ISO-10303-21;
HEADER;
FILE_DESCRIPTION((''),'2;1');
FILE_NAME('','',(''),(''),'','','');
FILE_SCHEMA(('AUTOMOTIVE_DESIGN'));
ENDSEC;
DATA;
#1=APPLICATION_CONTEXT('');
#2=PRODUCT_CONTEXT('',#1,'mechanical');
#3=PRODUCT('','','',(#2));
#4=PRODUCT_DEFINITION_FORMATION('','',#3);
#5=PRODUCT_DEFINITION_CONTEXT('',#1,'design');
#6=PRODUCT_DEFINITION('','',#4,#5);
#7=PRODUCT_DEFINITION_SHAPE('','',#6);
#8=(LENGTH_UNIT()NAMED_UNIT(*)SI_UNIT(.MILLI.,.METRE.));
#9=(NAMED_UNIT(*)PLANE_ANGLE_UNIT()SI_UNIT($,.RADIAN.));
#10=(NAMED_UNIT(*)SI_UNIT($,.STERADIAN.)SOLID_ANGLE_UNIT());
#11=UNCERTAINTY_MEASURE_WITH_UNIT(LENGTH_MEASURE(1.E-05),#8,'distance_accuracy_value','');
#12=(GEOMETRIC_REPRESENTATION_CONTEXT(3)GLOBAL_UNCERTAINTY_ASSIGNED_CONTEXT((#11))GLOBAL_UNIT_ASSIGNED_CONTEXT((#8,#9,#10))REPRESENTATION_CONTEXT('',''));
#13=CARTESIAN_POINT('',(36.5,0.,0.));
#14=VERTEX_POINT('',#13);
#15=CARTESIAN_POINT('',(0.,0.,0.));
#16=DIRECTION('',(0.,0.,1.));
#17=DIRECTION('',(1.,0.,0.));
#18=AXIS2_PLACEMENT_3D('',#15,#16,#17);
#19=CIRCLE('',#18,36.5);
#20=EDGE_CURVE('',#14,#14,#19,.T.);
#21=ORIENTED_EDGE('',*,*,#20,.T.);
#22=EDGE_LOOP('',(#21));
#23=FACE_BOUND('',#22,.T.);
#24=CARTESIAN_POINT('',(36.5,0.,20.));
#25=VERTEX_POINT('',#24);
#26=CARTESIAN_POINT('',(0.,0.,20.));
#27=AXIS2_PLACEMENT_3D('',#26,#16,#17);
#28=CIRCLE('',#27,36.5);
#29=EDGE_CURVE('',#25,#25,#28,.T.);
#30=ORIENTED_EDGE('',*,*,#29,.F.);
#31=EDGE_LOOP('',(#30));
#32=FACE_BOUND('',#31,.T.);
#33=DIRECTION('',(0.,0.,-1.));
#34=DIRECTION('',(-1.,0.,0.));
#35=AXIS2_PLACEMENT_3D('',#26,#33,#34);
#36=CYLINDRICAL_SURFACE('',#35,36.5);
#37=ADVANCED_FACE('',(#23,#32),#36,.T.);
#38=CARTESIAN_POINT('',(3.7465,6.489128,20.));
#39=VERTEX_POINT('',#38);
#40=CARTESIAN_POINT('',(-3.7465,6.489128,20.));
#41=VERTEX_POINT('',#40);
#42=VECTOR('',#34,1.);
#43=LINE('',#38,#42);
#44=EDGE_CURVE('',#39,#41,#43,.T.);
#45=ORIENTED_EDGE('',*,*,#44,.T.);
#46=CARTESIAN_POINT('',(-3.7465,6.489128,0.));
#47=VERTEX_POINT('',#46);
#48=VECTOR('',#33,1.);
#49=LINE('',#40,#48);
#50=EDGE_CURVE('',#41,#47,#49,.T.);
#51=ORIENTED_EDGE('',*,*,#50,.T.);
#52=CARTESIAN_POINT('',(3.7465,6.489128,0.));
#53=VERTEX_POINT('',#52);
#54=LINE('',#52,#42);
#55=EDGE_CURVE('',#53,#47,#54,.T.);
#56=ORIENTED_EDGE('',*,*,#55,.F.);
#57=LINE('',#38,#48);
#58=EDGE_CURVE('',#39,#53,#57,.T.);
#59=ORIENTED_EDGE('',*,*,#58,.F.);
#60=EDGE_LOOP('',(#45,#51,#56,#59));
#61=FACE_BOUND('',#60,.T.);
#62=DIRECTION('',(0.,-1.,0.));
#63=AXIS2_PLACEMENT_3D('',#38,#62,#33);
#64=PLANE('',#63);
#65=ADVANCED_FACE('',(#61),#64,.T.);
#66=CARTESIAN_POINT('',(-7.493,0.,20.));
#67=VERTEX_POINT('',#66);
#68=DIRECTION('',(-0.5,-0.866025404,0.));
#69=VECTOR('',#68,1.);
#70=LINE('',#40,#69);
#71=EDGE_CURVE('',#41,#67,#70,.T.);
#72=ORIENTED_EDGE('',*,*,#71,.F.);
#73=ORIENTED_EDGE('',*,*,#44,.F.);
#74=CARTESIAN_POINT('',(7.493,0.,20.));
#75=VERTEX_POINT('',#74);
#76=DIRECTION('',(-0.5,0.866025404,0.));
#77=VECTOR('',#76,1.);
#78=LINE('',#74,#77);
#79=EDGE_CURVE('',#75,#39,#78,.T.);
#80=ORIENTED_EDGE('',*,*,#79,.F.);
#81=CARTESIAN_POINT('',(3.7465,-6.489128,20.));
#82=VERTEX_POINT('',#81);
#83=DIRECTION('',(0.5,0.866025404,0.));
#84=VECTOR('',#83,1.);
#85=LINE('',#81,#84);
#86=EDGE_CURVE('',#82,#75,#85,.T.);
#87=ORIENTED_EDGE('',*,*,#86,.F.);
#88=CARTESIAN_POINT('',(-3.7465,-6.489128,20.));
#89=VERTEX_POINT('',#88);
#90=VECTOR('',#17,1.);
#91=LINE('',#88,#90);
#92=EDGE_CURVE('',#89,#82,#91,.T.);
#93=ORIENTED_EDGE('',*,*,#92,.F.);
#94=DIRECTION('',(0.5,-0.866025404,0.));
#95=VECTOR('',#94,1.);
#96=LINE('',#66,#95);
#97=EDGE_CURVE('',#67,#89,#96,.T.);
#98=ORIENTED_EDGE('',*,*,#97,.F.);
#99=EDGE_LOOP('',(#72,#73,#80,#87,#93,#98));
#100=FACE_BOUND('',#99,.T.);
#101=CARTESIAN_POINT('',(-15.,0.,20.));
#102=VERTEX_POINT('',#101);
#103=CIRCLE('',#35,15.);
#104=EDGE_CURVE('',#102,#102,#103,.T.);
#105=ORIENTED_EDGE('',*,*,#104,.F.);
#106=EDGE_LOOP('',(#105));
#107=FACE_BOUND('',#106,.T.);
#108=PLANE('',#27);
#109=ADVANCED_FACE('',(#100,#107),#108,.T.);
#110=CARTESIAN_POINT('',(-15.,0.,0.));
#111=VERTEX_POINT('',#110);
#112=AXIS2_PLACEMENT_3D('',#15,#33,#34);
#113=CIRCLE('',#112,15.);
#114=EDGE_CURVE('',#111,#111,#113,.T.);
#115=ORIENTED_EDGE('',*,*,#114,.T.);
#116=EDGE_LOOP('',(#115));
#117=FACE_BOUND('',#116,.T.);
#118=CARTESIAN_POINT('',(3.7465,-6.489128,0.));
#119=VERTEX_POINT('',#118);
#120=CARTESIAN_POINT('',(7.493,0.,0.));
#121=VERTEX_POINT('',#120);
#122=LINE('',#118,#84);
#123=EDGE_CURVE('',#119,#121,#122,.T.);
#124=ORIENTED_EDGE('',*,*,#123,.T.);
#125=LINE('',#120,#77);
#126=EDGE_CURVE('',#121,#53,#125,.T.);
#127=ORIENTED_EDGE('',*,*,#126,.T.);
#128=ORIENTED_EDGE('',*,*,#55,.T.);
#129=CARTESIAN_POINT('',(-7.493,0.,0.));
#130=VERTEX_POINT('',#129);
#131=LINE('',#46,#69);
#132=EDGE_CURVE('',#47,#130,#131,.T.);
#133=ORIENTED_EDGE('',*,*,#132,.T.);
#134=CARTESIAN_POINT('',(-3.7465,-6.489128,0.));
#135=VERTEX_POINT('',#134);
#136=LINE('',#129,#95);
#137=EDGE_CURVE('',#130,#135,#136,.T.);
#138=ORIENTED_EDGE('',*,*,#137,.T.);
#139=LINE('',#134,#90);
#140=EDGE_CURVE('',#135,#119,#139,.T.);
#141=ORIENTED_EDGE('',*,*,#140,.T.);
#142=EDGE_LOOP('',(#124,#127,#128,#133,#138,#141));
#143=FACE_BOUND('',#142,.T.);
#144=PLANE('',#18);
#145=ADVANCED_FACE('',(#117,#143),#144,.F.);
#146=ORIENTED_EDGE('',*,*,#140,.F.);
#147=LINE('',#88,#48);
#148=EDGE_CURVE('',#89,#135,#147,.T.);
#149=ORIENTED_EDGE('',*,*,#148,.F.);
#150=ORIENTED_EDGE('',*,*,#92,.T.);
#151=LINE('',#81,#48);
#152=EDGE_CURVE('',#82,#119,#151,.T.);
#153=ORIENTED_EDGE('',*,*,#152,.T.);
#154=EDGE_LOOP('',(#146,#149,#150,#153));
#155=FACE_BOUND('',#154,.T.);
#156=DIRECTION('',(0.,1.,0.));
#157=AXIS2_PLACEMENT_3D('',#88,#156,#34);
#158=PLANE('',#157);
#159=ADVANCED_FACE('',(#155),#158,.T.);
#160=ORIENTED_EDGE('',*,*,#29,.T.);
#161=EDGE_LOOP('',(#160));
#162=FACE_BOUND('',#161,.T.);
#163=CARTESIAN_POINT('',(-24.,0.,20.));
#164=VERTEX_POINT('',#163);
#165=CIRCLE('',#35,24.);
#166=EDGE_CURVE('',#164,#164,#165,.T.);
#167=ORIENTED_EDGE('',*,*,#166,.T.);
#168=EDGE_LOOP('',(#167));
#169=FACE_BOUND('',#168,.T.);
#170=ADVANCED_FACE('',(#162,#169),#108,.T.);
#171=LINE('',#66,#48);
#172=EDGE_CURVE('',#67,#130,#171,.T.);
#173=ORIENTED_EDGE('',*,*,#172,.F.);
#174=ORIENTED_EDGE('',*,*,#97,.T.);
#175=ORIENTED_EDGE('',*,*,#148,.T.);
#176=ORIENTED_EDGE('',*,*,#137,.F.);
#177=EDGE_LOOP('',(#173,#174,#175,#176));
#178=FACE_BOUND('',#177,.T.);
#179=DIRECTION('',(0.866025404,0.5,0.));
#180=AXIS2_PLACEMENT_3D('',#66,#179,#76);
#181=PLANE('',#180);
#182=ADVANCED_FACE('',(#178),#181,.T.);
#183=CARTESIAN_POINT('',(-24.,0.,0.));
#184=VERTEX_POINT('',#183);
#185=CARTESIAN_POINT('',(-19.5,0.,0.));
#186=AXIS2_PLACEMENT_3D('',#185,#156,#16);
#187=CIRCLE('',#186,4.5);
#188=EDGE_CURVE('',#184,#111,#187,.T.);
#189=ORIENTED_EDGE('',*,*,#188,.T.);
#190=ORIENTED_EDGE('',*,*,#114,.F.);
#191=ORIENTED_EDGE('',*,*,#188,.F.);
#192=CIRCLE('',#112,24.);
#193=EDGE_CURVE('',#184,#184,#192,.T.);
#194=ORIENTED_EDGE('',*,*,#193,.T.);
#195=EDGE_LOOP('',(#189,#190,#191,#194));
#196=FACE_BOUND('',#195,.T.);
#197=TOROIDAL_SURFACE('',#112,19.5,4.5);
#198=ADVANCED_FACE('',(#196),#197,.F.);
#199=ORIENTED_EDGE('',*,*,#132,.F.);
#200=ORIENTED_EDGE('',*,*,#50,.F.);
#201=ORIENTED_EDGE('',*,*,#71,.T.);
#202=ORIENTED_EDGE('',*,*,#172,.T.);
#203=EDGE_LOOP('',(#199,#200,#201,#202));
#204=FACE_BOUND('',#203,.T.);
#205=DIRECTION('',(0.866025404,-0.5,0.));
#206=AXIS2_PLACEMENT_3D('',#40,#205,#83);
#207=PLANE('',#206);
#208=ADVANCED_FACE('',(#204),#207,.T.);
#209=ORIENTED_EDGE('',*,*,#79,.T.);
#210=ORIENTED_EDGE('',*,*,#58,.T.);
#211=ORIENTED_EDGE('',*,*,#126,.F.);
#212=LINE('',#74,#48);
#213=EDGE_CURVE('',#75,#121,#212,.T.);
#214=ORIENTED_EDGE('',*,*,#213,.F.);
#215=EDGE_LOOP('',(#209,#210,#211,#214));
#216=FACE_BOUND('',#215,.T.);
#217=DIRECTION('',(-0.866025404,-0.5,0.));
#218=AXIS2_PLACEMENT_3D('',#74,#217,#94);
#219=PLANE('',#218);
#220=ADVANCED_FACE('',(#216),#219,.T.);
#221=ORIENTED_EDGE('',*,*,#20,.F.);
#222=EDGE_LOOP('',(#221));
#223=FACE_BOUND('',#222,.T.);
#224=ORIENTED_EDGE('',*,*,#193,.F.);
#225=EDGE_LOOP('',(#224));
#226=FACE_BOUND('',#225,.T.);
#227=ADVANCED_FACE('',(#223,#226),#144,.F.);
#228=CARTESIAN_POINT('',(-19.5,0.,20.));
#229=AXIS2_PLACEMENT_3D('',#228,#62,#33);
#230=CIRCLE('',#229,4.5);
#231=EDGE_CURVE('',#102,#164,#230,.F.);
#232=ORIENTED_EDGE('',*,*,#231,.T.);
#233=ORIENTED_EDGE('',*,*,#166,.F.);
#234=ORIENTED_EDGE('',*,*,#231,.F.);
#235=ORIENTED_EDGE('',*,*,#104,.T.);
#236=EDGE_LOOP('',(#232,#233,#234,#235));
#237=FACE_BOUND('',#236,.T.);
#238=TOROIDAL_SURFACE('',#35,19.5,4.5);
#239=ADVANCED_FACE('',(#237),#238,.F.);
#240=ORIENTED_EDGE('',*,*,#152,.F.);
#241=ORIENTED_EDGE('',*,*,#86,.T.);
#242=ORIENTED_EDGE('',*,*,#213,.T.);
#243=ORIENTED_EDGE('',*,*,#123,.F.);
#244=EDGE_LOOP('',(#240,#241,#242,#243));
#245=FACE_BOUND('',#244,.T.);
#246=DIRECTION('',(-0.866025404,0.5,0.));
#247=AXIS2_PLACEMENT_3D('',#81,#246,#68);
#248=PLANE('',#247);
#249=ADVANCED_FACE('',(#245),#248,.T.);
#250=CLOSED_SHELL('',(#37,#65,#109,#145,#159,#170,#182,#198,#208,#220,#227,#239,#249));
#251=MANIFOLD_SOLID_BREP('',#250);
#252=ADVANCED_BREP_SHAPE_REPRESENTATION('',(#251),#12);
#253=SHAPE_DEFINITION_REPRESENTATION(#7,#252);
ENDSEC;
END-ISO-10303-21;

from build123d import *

# Parameters (mm, degrees)
SKETCH1_R           = 36.5
BOSS_EXTRUDE1_DEPTH = 20


with BuildPart() as part:
    # Sketch1 → Boss-Extrude1 (new body)
    with BuildSketch(Plane.XY):
        Circle(SKETCH1_R)
        Polygon((7.493, 0), (3.7465, 6.489128351), (-3.7465, 6.489128351), (-7.493, 0), (-3.7465, -6.489128351), (3.7465, -6.489128351), align=None, mode=Mode.SUBTRACT)
    extrude(amount=BOSS_EXTRUDE1_DEPTH)

    # Cut-Sweep2: sweep along a path in Sketch3
    with BuildLine(Plane(origin=(0, 0, 0), x_dir=(-1, 0, 0), z_dir=(0, 0, -1))) as cut_sweep2_path:
        CenterArc((0, 0), 19.5, 0, 360)
    # Sketch2 → Cut-Sweep2 (sweep, cut)
    with BuildSketch(Plane(origin=(0, 0, 0), x_dir=(1, 0, 0), z_dir=(0, 1, 0))):
        with BuildLine():
            Line((-24, 0), (-15, 0))
            ThreePointArc((-15, 0), (-19.5, -4.5), (-24, 0))
        make_face()
    cut_sweep2 = sweep(path=cut_sweep2_path.line, mode=Mode.SUBTRACT)

    # Mirror1: Cut-Sweep2 across plane
    add(cut_sweep2.mirror(Plane.XY.offset(10)), mode=Mode.SUBTRACT)


solid = part.part
